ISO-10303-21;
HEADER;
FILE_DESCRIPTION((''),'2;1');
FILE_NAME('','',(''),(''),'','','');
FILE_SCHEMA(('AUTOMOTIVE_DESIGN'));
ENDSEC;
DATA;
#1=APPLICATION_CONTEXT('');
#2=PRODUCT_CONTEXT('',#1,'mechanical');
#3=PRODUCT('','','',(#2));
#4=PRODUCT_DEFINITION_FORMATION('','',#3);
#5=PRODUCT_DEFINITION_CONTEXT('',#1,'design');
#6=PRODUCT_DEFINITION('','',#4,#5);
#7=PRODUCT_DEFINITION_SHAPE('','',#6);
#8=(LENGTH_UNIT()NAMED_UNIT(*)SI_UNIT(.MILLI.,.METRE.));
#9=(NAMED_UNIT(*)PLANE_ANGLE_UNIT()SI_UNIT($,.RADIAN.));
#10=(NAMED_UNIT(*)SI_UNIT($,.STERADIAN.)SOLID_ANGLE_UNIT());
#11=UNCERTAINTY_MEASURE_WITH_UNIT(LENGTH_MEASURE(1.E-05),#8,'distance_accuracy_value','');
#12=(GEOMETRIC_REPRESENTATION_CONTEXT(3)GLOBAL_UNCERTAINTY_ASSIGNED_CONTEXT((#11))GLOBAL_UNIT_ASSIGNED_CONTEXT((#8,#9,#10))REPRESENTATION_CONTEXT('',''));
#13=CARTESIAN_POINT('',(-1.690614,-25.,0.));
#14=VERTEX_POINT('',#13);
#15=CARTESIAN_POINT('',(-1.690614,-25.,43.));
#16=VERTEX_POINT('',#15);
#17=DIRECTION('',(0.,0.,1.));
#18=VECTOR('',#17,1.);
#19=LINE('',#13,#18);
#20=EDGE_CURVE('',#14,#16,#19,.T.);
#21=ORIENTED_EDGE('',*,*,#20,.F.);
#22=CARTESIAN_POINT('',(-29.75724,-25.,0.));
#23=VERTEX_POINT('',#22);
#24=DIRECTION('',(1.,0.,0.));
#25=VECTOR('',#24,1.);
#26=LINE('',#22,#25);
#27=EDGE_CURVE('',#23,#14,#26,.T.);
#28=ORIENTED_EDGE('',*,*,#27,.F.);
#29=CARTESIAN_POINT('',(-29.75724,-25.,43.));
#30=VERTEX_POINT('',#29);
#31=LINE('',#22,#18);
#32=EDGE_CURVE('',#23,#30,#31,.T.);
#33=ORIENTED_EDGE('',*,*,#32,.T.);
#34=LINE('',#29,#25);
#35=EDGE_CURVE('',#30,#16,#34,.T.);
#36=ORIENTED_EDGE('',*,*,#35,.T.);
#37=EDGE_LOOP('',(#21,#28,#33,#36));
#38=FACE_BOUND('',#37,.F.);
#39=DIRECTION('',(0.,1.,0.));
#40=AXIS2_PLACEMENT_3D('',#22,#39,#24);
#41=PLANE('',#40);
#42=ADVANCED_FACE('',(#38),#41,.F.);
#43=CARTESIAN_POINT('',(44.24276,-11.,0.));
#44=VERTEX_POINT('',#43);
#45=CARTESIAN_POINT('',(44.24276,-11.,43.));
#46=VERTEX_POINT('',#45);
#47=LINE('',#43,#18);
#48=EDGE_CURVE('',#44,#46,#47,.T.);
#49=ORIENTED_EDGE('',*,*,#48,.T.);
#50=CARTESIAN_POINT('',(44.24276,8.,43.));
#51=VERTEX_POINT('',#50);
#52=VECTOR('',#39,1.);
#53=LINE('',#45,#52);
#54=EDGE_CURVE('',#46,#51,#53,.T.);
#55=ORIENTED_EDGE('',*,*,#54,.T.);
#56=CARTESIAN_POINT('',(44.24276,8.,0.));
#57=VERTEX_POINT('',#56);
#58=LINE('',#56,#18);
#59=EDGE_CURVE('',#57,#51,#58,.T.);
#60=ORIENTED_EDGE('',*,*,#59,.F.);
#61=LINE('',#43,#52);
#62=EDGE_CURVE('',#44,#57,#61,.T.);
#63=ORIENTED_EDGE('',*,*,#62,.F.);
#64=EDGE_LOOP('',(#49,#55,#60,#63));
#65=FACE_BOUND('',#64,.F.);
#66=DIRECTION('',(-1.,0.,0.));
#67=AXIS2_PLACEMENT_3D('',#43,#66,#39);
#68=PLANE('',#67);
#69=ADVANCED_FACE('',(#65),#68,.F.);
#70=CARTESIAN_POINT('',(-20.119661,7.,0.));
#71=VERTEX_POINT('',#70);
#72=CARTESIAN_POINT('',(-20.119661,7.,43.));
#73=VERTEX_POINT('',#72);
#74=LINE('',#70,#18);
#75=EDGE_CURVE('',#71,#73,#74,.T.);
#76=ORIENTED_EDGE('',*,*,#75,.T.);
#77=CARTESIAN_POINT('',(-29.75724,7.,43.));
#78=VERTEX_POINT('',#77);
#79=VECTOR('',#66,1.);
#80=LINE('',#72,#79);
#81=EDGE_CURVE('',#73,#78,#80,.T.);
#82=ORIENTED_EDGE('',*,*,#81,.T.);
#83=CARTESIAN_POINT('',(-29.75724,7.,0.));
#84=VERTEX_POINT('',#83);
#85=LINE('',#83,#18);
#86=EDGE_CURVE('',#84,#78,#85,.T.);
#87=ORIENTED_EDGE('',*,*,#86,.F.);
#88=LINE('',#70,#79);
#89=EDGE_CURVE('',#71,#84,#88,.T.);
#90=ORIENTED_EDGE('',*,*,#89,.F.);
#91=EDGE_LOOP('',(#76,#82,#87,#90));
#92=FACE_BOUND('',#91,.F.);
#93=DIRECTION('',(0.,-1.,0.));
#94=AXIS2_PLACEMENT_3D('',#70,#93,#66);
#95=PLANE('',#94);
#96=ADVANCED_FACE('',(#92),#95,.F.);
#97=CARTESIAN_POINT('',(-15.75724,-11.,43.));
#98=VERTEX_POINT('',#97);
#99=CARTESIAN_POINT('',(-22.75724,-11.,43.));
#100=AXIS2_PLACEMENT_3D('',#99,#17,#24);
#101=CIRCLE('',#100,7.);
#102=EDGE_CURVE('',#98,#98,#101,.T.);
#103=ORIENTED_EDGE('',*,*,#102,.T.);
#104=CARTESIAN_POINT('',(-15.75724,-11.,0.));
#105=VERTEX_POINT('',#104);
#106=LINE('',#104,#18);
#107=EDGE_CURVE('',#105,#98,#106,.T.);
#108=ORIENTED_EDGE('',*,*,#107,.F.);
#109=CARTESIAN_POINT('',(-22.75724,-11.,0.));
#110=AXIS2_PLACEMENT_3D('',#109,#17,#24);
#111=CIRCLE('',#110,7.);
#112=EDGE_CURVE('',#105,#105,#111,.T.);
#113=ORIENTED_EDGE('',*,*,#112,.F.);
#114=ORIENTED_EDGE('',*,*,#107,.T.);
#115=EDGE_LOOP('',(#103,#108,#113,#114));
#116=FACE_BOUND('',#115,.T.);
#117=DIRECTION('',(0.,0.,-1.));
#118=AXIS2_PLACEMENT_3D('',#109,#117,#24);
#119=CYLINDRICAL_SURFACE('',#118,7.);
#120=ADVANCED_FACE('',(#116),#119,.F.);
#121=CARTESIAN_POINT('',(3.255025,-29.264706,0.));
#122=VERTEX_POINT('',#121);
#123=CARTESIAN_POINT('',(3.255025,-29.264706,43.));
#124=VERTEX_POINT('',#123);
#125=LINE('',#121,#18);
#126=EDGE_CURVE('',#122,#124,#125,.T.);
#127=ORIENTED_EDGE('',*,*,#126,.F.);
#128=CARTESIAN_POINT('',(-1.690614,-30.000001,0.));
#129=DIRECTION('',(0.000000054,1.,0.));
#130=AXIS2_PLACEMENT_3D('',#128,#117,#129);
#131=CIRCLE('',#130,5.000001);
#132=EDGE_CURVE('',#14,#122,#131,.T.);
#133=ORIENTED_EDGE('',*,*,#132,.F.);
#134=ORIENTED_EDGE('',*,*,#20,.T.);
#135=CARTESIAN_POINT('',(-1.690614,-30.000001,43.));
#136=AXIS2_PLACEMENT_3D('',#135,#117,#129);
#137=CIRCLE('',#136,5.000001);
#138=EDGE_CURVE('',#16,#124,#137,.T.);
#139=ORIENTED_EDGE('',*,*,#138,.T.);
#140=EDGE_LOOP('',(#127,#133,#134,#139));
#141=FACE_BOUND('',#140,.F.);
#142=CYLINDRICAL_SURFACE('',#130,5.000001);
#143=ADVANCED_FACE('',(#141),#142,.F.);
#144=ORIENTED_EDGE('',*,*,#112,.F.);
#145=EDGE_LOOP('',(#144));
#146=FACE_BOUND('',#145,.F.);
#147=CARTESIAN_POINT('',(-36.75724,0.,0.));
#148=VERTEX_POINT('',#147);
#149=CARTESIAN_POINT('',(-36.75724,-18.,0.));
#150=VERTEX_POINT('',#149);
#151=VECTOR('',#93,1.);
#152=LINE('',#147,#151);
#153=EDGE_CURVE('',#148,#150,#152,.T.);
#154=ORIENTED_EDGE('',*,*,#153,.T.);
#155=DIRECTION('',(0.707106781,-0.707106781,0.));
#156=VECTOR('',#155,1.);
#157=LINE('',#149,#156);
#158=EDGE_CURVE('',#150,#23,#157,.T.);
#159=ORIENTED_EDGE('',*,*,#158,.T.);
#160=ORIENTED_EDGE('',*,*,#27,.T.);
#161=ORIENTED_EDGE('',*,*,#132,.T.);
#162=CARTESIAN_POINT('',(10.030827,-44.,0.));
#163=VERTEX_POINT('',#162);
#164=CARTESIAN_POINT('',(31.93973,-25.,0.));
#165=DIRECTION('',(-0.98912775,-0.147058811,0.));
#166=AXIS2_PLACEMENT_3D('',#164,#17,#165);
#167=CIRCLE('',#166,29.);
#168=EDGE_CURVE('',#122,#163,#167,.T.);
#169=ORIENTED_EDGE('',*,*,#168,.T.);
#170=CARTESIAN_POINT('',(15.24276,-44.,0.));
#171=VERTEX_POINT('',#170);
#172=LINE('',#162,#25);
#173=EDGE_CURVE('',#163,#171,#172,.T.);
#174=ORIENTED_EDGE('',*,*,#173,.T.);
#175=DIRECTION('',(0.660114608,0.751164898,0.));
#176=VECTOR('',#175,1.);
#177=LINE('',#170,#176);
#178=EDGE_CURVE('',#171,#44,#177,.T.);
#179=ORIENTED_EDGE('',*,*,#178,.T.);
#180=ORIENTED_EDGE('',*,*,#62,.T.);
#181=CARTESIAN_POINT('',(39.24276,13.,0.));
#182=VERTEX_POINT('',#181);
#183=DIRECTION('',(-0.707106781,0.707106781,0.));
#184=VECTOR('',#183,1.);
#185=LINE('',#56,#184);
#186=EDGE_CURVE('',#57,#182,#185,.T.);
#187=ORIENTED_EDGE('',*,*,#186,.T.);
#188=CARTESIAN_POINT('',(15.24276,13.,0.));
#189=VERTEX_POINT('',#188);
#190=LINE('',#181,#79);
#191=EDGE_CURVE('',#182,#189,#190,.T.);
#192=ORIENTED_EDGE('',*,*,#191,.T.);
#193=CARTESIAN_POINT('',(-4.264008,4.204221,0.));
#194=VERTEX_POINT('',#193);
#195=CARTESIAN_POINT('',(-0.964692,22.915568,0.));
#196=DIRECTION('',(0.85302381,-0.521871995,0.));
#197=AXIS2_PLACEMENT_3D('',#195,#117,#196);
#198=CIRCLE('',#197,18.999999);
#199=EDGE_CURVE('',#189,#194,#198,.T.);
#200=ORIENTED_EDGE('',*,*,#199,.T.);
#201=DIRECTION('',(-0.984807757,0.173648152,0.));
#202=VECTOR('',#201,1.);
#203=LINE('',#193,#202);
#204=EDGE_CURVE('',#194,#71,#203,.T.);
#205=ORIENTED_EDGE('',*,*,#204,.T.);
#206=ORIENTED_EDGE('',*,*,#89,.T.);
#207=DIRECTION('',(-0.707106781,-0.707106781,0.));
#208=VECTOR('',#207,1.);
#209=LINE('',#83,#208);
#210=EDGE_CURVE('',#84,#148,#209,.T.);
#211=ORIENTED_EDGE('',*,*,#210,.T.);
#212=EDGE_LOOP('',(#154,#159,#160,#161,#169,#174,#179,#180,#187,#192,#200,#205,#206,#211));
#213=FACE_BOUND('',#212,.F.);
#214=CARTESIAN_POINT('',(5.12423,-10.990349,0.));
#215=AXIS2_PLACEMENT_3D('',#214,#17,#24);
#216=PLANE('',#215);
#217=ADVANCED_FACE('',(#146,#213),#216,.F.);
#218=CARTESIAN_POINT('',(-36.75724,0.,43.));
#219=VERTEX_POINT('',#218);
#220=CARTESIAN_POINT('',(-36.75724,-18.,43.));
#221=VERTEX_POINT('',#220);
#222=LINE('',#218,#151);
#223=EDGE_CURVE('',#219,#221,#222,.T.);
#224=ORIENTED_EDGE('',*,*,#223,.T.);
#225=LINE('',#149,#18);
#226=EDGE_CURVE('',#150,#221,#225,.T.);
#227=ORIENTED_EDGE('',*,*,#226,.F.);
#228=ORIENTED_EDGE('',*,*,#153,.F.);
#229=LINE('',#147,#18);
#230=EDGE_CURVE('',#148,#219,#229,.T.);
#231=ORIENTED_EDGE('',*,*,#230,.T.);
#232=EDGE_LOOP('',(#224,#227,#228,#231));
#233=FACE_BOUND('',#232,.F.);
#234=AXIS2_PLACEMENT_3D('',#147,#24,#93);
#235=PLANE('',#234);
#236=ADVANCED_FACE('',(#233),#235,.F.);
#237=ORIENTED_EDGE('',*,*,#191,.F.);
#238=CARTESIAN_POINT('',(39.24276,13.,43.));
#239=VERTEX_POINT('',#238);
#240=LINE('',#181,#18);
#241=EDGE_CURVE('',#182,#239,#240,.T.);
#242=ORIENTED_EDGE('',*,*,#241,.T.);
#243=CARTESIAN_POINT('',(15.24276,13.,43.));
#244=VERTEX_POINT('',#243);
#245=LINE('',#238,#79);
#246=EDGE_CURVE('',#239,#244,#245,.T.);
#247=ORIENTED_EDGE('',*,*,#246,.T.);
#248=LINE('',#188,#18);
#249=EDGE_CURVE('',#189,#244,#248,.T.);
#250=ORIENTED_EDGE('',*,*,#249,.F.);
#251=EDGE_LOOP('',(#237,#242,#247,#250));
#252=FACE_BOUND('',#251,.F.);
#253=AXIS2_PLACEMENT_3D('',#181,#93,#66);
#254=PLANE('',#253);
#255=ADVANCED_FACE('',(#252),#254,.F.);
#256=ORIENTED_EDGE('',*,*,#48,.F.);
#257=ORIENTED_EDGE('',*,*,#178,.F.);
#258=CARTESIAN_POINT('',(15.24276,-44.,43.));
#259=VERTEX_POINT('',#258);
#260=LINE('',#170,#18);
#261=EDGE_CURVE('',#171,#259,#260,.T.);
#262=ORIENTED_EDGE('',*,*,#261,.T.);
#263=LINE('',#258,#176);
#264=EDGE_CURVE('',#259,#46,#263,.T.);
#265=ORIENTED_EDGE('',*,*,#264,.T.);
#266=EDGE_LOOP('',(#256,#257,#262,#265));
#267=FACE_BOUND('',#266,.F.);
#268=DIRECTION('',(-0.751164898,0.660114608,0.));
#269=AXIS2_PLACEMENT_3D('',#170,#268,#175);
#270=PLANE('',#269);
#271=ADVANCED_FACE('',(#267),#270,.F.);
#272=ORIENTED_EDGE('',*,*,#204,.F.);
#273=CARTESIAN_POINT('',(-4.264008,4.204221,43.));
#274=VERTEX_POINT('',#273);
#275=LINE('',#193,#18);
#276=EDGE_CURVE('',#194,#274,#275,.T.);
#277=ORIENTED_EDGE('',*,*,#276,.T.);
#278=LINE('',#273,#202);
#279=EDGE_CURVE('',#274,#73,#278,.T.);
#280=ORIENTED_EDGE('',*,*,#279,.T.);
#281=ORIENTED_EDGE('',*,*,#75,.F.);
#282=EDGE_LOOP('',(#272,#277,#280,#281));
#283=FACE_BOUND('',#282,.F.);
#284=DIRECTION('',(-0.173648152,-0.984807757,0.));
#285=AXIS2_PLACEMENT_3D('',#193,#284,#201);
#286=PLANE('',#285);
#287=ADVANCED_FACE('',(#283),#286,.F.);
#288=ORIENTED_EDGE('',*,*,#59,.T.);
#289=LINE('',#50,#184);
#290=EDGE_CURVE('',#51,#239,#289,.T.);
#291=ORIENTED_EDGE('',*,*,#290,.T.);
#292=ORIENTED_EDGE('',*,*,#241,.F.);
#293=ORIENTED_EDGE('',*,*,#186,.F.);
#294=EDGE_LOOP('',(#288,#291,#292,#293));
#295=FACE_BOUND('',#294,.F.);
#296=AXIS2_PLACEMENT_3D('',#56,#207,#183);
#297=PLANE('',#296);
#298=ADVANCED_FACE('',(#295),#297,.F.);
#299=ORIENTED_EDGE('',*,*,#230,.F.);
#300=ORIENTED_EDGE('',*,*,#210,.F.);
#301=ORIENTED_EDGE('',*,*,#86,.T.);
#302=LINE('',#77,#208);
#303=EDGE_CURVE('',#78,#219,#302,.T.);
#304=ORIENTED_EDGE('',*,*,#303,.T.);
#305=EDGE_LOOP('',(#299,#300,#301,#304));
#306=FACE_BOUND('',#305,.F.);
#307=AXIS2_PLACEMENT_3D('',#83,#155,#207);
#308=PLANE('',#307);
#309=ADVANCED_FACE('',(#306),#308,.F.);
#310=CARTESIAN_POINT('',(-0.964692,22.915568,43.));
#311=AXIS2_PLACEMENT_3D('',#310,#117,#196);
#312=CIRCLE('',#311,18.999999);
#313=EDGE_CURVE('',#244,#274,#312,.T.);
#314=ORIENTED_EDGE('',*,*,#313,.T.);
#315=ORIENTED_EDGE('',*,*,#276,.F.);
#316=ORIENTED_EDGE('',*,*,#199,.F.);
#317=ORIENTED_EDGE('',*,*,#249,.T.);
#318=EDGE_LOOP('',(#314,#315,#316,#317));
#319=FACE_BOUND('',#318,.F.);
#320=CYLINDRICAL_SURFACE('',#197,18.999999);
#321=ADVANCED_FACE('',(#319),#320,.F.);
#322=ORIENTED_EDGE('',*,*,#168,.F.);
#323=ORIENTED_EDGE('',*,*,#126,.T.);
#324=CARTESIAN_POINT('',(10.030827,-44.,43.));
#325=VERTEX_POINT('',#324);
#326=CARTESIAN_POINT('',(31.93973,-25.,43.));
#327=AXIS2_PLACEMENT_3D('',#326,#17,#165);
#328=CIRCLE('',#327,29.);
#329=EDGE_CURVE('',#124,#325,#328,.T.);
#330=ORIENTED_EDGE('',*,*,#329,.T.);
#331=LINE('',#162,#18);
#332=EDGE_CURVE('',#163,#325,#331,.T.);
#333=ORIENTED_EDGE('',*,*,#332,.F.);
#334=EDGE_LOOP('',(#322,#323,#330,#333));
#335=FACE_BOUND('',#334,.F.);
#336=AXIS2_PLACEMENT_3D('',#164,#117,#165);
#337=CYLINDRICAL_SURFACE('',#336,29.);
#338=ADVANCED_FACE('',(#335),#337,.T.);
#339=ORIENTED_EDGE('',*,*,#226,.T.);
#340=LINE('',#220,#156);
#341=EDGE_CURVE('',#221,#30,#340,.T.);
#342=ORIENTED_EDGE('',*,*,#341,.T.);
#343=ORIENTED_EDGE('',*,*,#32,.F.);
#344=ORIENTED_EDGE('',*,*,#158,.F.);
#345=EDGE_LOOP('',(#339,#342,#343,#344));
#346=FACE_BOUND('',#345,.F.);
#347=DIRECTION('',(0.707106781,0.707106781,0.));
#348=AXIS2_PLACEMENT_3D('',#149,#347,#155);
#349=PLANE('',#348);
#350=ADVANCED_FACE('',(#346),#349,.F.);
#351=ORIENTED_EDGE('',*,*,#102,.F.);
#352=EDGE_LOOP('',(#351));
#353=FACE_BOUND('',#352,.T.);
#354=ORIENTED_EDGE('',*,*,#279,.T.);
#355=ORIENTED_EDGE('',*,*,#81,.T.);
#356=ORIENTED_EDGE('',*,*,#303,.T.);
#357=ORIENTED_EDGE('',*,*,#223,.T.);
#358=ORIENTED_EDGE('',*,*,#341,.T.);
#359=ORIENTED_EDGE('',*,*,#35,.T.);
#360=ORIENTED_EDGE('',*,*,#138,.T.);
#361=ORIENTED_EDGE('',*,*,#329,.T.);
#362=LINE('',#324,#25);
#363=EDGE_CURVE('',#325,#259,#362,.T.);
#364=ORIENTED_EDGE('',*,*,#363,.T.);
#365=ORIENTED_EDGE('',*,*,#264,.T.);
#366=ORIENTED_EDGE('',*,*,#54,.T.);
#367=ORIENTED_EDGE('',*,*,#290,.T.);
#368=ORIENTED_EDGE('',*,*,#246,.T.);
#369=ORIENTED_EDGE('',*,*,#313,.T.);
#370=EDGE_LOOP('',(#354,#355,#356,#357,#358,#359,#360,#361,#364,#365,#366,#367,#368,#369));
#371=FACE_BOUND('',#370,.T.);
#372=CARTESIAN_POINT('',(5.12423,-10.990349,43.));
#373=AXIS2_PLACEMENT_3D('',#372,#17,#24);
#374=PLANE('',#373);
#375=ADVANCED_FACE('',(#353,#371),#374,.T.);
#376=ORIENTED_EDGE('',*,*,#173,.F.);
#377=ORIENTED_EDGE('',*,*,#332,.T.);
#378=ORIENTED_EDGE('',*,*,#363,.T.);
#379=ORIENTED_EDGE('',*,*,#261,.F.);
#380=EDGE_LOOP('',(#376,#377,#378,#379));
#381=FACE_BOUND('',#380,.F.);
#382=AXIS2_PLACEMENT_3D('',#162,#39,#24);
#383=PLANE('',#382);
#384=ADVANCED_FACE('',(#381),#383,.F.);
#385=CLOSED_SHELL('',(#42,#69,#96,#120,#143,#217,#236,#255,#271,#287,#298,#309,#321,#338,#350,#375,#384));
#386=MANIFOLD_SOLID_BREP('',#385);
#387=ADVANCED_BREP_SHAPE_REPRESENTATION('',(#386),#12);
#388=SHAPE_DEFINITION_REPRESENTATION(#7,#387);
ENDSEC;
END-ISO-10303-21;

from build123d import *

# Parameters (mm, degrees)
F0_R     = 7
F1_DEPTH = 43


with BuildPart() as f1:
    # F0 (on Top) → F1 (new body)
    with BuildSketch(Plane.XY):
        with BuildLine():
            Line((-20.119661, 7), (-29.75724, 7))
            Line((-29.75724, 7), (-36.75724, 0))
            Line((-36.75724, 0), (-36.75724, -18))
            Line((-36.75724, -18), (-29.75724, -25))
            Line((-29.75724, -25), (-1.690614, -25))
            ThreePointArc((-1.690614, -25), (1.574622, -26.213414), (3.255025, -29.264706))
            ThreePointArc((3.255025, -29.264706), (5.591855, -37.115672), (10.030827, -44))
            Line((10.030827, -44), (15.24276, -44))
            Line((15.24276, -44), (44.24276, -11))
            Line((44.24276, -11), (44.24276, 8))
            Line((44.24276, 8), (39.24276, 13))
            Line((39.24276, 13), (15.24276, 13))
            ThreePointArc((15.24276, 13), (6.845329, 5.594957), (-4.264008, 4.204221))
            Line((-4.264008, 4.204221), (-20.119661, 7))
        make_face()
        with Locations((-22.75724, -11)):
            Circle(F0_R, mode=Mode.SUBTRACT)
    extrude(amount=F1_DEPTH)


solid = f1.part
